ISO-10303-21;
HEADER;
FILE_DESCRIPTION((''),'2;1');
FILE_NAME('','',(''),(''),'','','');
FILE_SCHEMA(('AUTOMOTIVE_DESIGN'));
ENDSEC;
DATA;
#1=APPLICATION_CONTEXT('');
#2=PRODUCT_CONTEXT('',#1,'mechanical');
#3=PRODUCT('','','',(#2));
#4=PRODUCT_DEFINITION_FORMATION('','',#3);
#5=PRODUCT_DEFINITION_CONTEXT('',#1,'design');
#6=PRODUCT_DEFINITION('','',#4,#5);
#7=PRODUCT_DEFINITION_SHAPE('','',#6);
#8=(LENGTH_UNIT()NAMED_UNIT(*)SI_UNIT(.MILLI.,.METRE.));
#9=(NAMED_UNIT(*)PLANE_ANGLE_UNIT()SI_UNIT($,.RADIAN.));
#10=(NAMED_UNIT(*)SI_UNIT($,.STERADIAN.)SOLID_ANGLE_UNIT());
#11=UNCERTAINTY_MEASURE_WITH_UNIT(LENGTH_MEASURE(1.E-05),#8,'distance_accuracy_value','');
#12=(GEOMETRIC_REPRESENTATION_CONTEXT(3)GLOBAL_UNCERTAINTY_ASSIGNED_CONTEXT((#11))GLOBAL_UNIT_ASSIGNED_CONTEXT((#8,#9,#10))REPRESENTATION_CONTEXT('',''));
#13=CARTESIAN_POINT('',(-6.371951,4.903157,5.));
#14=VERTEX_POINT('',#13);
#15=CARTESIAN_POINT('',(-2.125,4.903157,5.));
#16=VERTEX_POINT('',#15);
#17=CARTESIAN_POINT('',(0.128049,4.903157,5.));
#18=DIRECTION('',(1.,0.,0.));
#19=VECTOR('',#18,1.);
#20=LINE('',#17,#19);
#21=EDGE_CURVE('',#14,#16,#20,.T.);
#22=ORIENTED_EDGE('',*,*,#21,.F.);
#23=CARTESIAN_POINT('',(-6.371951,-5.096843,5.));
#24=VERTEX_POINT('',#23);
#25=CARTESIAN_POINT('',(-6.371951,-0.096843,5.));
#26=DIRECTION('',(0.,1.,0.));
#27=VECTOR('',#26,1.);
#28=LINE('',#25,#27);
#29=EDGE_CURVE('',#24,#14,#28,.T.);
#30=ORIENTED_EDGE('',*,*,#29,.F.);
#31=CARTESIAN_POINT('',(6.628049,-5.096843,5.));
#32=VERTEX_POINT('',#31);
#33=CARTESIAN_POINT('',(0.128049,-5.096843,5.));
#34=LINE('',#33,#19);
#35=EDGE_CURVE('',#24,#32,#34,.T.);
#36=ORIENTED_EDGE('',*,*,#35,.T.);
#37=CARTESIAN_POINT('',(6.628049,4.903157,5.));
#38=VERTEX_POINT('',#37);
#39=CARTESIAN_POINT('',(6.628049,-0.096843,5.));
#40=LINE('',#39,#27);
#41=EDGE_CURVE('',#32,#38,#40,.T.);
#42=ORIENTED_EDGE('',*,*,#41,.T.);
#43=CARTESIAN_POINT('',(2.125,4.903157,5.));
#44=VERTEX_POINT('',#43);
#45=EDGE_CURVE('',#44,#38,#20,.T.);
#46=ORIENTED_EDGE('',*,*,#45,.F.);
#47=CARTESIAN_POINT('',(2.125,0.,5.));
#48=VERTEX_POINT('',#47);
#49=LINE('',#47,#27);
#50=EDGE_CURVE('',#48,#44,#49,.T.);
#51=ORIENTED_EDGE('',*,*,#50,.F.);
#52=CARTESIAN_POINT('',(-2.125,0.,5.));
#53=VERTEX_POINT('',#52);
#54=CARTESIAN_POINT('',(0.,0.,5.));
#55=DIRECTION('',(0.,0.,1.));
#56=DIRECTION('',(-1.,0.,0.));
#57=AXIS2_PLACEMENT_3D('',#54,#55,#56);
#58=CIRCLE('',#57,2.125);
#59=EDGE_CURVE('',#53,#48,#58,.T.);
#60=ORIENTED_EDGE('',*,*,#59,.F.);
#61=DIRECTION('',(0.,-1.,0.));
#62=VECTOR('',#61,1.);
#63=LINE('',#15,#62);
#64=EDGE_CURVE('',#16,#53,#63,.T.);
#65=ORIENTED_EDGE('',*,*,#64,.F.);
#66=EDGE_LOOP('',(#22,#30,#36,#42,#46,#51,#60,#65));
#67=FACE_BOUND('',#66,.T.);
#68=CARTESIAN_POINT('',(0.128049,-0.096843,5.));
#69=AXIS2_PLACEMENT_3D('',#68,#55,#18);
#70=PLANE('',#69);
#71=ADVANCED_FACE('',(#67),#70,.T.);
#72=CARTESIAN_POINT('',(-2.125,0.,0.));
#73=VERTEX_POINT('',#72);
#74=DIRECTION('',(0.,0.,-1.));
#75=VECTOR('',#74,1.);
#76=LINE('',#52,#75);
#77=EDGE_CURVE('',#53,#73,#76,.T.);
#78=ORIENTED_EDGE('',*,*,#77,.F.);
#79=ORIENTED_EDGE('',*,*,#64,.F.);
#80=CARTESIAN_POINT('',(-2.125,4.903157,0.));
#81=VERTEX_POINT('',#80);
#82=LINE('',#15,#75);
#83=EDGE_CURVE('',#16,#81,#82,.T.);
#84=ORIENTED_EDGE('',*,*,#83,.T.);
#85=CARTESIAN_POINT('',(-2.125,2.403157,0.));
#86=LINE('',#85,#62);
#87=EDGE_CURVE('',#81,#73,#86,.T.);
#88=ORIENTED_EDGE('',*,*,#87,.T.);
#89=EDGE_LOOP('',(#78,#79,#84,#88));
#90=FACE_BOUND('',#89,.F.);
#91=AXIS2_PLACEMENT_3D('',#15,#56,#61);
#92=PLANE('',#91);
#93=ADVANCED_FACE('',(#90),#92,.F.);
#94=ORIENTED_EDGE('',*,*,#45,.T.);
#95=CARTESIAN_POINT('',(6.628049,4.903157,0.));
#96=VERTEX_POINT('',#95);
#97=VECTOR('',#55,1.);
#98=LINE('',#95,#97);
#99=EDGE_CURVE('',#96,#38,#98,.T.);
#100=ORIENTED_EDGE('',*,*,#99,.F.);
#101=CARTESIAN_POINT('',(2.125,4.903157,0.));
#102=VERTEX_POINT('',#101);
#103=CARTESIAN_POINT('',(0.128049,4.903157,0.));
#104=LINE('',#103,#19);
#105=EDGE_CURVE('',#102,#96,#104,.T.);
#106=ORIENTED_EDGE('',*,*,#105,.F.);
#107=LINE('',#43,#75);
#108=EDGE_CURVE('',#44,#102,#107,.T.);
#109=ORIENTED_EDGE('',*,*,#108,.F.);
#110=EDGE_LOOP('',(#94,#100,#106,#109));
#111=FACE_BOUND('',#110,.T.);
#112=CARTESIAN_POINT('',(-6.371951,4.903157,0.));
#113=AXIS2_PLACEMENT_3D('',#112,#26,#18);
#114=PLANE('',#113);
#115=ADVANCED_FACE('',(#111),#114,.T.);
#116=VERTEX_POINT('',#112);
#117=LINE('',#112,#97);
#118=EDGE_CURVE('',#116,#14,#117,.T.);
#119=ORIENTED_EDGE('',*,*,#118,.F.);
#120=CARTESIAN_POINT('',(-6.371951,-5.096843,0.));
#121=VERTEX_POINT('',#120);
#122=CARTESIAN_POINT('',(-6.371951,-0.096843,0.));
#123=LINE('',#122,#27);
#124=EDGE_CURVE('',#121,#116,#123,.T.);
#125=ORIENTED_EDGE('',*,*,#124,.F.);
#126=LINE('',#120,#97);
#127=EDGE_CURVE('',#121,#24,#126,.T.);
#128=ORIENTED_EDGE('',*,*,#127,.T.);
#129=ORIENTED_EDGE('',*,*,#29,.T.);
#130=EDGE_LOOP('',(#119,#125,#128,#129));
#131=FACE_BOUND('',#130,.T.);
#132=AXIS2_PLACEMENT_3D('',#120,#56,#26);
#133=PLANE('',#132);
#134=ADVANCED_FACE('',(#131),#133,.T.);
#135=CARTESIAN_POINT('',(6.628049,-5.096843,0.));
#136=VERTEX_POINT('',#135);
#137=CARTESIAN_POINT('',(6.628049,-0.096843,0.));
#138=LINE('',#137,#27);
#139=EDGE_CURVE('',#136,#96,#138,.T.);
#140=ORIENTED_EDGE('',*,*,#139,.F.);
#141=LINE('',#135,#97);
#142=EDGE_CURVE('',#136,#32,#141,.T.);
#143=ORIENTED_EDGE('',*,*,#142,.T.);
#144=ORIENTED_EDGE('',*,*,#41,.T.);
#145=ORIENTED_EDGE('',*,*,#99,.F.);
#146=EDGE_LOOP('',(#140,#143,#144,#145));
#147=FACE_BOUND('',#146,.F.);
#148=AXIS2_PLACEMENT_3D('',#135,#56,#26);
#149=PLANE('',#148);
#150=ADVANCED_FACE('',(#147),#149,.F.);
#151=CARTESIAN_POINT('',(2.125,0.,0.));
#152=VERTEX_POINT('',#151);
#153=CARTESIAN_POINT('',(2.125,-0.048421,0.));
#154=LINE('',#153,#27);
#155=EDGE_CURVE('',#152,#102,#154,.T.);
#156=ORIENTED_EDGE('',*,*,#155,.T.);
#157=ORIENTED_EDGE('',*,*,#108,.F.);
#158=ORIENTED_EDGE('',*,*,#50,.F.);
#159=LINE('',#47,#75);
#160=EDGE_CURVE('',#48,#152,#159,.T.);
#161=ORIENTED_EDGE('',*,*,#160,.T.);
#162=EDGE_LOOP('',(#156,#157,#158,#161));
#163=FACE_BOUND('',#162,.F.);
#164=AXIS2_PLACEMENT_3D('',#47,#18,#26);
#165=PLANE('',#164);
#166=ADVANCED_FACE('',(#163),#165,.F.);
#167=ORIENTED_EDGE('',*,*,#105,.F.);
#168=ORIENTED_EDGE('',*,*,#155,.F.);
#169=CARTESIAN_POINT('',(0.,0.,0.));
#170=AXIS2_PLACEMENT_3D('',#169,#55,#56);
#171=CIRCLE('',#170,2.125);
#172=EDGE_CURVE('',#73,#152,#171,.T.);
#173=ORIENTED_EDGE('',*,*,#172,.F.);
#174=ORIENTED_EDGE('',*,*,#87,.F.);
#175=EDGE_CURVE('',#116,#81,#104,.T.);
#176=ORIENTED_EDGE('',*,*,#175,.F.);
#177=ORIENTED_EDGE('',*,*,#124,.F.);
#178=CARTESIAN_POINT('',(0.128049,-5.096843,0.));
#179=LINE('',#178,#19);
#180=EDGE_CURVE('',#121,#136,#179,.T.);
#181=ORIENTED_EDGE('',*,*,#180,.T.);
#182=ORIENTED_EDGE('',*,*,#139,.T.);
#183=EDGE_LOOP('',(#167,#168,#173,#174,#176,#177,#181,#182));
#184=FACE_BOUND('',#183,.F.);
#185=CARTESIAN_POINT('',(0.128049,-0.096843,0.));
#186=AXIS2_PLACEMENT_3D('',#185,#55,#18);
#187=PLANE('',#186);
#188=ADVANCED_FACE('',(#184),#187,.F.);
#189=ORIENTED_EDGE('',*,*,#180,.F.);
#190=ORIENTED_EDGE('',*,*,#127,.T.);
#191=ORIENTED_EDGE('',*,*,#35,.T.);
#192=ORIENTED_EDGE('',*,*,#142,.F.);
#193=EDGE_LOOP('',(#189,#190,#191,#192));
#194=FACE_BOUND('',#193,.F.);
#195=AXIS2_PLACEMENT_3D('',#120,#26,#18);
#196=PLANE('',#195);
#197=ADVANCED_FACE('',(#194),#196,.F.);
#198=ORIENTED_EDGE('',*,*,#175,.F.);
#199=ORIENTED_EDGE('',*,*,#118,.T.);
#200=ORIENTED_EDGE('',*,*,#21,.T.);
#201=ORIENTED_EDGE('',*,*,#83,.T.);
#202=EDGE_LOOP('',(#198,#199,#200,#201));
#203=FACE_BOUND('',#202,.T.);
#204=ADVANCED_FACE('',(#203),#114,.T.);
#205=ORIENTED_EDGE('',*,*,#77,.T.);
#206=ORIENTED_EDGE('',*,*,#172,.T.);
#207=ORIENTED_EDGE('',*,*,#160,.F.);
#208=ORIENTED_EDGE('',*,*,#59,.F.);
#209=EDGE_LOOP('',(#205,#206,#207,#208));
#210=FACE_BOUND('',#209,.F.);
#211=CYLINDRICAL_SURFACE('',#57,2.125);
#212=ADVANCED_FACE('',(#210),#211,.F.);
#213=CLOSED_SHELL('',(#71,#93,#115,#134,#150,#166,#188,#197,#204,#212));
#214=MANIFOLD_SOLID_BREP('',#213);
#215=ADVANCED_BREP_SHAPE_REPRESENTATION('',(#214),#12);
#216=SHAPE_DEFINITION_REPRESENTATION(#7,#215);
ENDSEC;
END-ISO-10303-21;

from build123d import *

# Parameters (mm, degrees)
F0_W     = 13
F0_H     = 10
F1_DEPTH = 5
F3_DEPTH = 10


with BuildPart() as f1:
    # F0 (on Top) → F1 (new body)
    with BuildSketch(Plane.XY):
        with Locations((0.128049, -0.096843)):
            Rectangle(F0_W, F0_H)
    extrude(amount=F1_DEPTH)

    # F2 (on face) → F3 (cut)
    with BuildSketch(Plane.XY.offset(5)):
        with BuildLine():
            Line((-2.125, 4.903157), (-2.125, 0))
            ThreePointArc((-2.125, 0), (0, -2.125), (2.125, 0))
            Line((2.125, 0), (2.125, 4.903157))
            Line((2.125, 4.903157), (-2.125, 4.903157))
        make_face()
    extrude(amount=-F3_DEPTH, mode=Mode.SUBTRACT)


solid = f1.part
